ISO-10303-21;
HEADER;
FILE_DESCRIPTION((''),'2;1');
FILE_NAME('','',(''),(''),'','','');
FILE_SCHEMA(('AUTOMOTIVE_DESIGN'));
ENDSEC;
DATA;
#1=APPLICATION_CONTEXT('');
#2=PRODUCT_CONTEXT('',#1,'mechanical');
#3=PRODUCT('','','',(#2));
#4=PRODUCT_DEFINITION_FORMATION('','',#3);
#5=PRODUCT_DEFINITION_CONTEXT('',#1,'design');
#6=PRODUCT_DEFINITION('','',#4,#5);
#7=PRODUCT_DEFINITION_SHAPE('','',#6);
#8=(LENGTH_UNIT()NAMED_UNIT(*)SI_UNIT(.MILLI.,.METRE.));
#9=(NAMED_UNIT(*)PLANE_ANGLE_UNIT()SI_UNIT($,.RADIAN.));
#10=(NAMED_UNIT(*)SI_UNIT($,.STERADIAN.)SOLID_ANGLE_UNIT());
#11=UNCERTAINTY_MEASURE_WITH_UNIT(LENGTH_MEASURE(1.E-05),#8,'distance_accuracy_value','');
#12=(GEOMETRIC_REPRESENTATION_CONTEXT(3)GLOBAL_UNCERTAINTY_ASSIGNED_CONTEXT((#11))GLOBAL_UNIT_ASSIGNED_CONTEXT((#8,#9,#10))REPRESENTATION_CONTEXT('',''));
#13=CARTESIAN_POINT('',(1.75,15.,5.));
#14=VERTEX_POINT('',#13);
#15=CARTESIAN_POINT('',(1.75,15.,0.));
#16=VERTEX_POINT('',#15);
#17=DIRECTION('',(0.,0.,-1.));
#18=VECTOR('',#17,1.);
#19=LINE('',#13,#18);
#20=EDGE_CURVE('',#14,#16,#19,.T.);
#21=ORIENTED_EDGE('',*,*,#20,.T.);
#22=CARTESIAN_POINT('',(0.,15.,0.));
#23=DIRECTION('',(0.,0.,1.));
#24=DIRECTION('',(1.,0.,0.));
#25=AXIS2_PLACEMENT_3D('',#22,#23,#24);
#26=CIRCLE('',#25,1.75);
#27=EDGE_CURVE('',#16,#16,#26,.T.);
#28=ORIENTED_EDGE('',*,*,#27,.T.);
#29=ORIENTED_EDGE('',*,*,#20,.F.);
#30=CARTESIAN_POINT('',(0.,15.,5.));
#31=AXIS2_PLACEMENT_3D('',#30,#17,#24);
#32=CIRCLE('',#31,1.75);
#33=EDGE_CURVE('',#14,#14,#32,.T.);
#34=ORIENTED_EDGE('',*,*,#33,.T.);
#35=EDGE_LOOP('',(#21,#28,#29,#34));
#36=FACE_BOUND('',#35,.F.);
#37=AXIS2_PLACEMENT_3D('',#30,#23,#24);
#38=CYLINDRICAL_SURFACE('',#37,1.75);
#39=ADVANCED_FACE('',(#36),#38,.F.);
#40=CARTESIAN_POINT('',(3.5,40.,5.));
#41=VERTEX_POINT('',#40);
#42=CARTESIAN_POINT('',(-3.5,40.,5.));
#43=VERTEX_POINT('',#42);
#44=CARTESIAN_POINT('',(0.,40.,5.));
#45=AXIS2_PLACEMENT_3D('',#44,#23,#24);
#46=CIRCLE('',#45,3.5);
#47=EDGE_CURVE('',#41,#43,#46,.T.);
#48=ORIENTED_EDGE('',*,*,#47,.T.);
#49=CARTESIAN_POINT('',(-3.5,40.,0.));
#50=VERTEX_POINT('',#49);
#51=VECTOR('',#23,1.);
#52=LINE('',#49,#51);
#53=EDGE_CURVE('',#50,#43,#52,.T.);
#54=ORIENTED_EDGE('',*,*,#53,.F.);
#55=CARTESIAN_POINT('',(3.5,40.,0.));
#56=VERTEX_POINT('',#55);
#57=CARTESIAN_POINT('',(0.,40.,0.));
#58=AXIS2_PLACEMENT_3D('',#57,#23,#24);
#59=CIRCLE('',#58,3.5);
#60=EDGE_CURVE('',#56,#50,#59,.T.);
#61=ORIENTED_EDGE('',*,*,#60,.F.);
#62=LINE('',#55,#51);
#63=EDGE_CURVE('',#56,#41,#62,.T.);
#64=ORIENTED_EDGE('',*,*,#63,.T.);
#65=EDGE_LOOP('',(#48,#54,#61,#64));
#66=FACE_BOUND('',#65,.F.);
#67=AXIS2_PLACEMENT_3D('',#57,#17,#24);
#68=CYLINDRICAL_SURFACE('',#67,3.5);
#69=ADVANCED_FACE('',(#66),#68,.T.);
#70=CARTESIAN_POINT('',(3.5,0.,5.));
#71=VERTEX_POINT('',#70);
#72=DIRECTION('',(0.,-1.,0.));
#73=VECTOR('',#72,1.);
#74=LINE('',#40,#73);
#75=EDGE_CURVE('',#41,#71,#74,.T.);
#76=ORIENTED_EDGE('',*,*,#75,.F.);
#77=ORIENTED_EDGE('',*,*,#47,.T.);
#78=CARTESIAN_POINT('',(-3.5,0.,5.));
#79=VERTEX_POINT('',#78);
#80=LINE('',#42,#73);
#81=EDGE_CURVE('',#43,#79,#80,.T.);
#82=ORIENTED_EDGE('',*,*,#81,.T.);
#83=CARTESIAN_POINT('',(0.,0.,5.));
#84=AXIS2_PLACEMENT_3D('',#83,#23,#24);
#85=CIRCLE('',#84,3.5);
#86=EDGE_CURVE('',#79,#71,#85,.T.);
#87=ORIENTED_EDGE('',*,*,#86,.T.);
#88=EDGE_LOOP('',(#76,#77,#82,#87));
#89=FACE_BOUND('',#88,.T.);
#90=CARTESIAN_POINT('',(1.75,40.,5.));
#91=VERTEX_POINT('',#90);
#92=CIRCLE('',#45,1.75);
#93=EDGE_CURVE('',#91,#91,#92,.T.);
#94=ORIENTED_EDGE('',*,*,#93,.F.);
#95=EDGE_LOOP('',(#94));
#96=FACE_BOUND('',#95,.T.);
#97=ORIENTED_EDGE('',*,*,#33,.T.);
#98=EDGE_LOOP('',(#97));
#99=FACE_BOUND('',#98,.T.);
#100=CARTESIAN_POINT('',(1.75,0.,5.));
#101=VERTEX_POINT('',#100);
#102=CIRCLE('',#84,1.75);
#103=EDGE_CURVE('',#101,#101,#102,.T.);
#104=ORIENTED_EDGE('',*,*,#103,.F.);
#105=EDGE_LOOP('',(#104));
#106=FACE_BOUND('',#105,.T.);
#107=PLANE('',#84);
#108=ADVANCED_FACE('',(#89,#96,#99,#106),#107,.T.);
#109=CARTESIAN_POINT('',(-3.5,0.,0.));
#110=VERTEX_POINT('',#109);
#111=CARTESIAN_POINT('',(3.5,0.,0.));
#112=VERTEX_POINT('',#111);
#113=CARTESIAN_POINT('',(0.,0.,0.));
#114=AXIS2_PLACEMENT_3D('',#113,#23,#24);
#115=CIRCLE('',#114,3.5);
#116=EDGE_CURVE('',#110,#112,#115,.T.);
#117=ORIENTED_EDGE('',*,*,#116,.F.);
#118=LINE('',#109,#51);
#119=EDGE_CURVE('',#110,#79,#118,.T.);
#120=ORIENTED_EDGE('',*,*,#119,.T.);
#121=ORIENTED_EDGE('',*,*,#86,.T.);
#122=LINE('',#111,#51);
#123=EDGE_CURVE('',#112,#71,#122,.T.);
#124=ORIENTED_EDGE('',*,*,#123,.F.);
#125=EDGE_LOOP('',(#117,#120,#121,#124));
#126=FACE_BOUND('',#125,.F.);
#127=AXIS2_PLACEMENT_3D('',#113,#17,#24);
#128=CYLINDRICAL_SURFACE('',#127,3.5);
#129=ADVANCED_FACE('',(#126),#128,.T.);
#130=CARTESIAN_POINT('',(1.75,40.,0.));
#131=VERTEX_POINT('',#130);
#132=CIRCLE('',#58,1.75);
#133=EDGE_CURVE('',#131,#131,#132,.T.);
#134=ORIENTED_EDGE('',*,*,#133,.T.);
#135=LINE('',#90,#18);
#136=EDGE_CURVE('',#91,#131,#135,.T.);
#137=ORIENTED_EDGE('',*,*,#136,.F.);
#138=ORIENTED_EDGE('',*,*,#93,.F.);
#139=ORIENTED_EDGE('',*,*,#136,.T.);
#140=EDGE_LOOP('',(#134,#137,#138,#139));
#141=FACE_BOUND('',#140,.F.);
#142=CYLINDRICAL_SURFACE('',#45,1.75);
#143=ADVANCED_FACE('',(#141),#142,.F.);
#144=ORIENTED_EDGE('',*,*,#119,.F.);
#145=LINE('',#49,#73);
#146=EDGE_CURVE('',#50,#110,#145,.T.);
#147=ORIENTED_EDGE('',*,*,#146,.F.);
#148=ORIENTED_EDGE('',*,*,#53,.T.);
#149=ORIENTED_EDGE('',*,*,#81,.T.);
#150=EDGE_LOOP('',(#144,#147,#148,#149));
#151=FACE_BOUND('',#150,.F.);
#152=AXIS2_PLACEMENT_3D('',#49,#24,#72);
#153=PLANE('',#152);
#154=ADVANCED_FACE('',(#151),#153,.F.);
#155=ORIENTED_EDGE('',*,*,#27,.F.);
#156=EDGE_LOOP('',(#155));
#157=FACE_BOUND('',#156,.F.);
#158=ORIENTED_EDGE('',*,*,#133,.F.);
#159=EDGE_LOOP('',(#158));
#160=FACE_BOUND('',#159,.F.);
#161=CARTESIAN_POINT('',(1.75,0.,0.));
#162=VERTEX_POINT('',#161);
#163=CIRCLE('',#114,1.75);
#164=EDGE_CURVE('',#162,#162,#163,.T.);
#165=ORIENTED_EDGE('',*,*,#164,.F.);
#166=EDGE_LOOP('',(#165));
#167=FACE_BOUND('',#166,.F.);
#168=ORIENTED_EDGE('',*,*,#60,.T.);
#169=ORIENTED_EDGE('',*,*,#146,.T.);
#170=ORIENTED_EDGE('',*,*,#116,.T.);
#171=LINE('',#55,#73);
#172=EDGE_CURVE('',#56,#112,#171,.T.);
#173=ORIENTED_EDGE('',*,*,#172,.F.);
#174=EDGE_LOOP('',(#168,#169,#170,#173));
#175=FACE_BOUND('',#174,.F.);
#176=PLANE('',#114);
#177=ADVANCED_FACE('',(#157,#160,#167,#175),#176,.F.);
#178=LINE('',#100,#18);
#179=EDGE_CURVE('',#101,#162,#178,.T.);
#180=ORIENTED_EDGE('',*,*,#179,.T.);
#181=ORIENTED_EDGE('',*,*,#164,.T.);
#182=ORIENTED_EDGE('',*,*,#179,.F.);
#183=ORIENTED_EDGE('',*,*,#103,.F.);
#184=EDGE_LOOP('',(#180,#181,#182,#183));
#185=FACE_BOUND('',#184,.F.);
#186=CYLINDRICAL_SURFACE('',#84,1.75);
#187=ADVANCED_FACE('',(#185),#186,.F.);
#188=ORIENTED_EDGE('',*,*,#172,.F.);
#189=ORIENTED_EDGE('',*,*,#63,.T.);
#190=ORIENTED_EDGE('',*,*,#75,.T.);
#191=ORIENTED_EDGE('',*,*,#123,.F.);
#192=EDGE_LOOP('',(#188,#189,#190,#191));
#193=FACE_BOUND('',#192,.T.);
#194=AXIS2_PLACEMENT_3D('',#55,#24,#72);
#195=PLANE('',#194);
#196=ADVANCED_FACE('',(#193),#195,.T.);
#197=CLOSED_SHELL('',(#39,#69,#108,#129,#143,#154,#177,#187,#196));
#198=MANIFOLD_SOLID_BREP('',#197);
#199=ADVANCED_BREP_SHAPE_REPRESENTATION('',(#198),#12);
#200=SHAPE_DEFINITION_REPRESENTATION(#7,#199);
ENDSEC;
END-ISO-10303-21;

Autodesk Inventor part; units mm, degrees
ref_plane "YZ Plane" through (0, 0, 0) normal (1, 0, 0) x (0, 1, 0)
ref_plane "XZ Plane" through (0, 0, 0) normal (0, 1, 0) x (-1, 0, 0)
ref_plane "XY Plane" through (0, 0, 0) normal (0, 0, 1) x (1, 0, 0)
sketch "Sketch1" plane through (0, 0, 0) normal (0, 0, 1) x (1, 0, 0)
  circle A0 centre (0, 0) radius 3.5
  line L0 (0, 0) -> (0, 40)
  circle A1 centre (0, 40) radius 3.5
  line L1 (3.5, 40) -> (3.5, 0)
  line L2 (-3.5, 40) -> (-3.5, 0)
  dimension "d0" = 7
  dimension "d1" = 40
  dimension "d2" = 7
extrude "Extrusion1" add sketch "Sketch1" along normal blind 5
sketch "Sketch2" plane through (0, 0, 5) normal (0, 0, 1) x (1, 0, 0)
  circle A0 centre (0, 0) radius 1.75
  arc A1 (3.5, 40) -> (-3.5, 40) centre (0, 40) ccw projected
  circle A2 centre (0, 40) radius 1.75
  dimension "d5" = 3.5
  dimension "d6" = 3.5
extrude "Extrusion2" cut sketch "Sketch2" against normal blind 5
sketch "Sketch3" plane through (0, 0, 5) normal (0, 0, 1) x (1, 0, 0)
  line L0 (0, 0) -> (0, 15)
  circle A0 centre (0, 15) radius 1.75
  dimension "d9" = 15
  dimension "d10" = 3.5
extrude "Extrusion3" cut sketch "Sketch3" against normal blind 10
properties part number "bar"
